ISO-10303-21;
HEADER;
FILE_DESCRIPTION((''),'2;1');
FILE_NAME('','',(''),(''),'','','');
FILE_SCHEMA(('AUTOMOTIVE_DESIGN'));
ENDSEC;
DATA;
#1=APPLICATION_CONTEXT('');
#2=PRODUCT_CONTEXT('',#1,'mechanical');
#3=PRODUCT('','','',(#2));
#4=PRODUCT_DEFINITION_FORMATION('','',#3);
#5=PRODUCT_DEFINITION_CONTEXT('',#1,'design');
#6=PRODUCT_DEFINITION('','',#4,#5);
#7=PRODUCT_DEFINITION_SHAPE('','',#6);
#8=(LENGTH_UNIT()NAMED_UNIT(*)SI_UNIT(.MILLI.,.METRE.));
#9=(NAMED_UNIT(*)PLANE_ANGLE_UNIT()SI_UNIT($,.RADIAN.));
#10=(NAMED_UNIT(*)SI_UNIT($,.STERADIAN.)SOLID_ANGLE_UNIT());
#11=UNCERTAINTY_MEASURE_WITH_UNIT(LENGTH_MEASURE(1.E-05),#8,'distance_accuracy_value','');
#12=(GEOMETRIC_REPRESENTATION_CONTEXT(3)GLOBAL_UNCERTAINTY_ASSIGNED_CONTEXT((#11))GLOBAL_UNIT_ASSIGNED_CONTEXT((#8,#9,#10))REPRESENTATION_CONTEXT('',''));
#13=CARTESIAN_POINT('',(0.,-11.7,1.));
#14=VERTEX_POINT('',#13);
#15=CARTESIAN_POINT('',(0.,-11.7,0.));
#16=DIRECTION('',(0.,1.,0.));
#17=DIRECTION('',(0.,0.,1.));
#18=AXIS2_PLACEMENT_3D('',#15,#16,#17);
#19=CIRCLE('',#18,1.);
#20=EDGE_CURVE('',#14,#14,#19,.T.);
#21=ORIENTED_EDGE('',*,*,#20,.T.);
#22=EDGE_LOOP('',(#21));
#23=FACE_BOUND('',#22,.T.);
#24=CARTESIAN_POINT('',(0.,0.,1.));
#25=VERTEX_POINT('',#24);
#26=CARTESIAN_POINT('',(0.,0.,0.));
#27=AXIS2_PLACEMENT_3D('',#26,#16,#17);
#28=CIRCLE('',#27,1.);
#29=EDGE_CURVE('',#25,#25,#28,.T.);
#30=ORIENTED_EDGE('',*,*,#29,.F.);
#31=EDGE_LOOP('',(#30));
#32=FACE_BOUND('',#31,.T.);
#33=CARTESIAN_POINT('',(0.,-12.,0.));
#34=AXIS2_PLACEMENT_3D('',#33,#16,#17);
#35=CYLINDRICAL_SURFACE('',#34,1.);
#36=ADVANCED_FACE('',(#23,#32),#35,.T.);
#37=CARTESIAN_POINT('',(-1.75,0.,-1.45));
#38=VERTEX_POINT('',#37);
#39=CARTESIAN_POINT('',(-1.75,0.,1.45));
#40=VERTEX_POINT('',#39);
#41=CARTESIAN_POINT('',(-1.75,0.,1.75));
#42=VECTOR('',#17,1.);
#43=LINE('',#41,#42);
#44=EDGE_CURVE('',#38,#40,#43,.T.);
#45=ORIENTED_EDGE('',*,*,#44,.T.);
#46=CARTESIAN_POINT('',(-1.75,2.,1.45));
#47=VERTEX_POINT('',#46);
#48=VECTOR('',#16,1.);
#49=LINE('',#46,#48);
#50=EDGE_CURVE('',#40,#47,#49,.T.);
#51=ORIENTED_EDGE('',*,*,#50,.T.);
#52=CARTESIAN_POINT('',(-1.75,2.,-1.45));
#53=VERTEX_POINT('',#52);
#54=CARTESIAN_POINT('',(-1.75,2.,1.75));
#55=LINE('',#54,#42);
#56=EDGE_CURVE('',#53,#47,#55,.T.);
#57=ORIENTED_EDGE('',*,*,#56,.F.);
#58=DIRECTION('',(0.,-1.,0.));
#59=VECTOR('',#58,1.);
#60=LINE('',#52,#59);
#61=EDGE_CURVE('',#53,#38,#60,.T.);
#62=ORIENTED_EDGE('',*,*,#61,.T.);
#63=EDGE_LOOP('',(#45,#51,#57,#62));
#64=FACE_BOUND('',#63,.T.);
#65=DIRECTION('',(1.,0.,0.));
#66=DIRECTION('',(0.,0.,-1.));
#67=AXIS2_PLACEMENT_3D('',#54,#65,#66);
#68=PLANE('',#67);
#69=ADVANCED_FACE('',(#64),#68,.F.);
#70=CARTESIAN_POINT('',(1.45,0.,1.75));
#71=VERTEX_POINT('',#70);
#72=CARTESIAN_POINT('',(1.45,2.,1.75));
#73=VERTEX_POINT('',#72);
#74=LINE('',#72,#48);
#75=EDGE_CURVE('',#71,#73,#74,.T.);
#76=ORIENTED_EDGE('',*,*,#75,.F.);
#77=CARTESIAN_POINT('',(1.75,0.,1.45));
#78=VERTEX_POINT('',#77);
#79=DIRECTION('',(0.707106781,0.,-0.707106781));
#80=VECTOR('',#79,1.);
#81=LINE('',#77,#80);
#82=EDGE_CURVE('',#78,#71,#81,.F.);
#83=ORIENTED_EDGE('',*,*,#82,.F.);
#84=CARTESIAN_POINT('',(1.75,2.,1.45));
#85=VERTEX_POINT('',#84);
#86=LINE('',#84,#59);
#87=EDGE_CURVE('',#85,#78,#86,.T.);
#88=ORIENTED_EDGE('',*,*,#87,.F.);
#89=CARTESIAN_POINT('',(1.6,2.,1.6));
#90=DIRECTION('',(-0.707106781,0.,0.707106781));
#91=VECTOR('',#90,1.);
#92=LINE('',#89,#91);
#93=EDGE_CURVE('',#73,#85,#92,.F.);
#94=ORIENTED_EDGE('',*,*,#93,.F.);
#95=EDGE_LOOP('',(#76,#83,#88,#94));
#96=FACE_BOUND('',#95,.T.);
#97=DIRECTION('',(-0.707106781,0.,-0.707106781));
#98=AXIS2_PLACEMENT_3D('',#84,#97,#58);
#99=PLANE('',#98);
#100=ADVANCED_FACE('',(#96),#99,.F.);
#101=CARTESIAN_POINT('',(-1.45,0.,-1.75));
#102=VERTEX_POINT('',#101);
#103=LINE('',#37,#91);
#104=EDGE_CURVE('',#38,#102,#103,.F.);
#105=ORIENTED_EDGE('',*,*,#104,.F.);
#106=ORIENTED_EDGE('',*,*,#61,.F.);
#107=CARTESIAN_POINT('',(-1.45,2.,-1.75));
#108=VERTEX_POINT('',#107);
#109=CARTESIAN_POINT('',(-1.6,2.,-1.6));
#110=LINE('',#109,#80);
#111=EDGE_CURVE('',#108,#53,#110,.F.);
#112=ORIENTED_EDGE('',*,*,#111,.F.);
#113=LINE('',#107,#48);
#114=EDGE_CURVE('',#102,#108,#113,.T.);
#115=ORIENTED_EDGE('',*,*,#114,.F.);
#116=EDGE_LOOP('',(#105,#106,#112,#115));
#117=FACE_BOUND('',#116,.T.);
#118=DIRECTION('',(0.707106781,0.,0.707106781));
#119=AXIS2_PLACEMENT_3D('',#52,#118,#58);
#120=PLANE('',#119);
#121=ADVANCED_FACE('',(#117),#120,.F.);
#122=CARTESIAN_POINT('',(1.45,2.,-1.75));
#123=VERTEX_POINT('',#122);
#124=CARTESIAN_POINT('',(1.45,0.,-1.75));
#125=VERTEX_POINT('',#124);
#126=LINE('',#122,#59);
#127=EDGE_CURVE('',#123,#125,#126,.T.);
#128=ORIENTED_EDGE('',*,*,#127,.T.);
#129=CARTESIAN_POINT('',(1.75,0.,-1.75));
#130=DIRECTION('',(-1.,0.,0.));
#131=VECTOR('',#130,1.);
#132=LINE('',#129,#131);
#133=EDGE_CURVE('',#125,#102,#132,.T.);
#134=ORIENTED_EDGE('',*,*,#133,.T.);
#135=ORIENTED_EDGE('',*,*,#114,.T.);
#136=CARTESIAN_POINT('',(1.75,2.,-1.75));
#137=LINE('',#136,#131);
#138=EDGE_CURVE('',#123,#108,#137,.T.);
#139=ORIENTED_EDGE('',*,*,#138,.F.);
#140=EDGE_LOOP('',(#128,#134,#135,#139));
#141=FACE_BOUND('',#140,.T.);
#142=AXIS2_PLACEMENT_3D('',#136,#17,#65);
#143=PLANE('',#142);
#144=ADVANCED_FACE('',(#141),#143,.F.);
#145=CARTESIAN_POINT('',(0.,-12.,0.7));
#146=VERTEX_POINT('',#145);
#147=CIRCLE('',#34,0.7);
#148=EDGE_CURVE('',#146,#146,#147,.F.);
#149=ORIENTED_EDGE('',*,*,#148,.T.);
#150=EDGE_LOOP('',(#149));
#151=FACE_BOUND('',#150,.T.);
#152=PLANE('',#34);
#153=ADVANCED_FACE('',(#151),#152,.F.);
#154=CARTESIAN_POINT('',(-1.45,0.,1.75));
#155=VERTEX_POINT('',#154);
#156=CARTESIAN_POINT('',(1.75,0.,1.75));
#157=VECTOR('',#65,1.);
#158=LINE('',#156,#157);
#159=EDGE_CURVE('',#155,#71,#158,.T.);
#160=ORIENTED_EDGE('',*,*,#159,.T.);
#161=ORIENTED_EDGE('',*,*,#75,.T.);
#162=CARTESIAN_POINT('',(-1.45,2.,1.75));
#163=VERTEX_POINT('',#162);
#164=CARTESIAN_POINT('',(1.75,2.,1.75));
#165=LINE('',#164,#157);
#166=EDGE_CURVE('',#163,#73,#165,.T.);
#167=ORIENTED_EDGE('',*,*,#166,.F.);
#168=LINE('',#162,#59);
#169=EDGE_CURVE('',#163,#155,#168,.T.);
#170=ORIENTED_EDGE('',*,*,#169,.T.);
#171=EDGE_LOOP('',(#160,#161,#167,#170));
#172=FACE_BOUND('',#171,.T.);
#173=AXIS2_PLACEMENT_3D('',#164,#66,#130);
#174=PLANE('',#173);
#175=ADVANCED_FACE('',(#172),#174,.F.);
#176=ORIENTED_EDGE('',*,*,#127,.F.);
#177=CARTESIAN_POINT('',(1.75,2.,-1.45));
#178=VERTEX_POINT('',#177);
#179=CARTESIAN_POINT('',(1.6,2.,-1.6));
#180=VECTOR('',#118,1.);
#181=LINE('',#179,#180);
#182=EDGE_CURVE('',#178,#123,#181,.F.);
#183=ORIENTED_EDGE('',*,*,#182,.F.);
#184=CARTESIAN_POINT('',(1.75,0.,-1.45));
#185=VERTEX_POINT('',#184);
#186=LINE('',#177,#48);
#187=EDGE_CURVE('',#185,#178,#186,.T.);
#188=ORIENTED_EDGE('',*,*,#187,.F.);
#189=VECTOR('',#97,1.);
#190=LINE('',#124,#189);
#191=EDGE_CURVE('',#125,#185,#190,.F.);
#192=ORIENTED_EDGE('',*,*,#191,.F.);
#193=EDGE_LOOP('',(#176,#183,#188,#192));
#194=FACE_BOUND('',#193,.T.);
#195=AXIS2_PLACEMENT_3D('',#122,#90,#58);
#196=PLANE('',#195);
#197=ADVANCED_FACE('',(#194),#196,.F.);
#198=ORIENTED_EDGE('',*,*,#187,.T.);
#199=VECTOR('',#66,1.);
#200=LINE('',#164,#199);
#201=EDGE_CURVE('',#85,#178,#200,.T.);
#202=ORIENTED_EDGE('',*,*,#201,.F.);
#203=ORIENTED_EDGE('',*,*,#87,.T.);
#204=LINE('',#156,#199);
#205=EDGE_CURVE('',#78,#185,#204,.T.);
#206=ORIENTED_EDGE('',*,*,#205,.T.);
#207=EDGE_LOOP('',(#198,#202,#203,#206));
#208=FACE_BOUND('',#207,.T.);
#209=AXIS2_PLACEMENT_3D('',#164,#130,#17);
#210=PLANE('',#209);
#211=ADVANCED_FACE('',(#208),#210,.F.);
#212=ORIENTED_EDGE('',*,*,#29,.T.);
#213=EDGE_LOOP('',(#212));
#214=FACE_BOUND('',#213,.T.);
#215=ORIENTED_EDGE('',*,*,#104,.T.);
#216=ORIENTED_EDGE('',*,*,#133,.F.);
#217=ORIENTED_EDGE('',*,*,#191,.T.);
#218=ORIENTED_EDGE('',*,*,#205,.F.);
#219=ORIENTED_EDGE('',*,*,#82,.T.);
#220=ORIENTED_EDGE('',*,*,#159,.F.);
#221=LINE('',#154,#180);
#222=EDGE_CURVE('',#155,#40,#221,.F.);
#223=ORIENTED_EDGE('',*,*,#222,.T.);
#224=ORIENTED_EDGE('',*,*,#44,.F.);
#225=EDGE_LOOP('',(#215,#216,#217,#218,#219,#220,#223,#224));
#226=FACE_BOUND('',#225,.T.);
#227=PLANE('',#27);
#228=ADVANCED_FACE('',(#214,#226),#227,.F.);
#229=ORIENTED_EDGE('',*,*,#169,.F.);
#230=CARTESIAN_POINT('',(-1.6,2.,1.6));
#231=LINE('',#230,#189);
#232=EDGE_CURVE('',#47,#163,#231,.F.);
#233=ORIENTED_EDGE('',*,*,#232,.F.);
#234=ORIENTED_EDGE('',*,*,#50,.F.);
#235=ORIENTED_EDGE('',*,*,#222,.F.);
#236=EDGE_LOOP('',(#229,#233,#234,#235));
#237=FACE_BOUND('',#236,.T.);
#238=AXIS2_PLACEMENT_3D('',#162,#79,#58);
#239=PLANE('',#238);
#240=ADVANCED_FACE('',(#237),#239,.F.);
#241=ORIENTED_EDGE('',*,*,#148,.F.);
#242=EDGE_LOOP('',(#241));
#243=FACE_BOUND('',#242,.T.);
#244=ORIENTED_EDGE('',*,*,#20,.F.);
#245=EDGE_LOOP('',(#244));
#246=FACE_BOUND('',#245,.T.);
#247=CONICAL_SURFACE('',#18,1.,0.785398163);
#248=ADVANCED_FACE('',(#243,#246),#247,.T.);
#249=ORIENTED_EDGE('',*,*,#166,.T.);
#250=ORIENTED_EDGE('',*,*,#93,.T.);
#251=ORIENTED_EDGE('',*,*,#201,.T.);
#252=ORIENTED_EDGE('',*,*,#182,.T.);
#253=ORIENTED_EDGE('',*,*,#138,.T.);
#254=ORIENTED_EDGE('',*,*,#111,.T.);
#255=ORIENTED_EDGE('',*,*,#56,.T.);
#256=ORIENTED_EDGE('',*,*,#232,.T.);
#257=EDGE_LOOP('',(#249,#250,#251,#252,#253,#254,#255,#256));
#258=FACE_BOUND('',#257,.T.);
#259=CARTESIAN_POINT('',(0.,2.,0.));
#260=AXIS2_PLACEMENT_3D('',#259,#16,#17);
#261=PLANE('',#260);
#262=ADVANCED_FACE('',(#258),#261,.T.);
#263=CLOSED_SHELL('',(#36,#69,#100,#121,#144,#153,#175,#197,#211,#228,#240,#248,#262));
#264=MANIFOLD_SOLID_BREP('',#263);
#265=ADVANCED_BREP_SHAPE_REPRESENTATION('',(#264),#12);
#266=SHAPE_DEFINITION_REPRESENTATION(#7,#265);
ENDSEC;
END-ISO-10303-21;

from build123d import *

# Parameters (mm, degrees)
SKETCH1_W           = 3.5
SKETCH1_H           = 3.5
BOSS_EXTRUDE1_DEPTH = 2
SKETCH2_R           = 1
BOSS_EXTRUDE2_DEPTH = 12
CHAMFER1_SIZE       = 0.3


with BuildPart() as part:
    # Sketch1 → Boss-Extrude1 (new body)
    with BuildSketch(Plane(origin=(0, 0, 0), x_dir=(1, 0, 0), z_dir=(0, 1, 0))):
        Rectangle(SKETCH1_W, SKETCH1_H)
    extrude(amount=BOSS_EXTRUDE1_DEPTH)

    # Sketch2 → Boss-Extrude2 (add)
    with BuildSketch(Plane(origin=(0, 0, 0), x_dir=(1, 0, 0), z_dir=(0, 1, 0))):
        Circle(SKETCH2_R)
    extrude(amount=-BOSS_EXTRUDE2_DEPTH)

    # Chamfer1
    chamfer1_edges = [part.edges().sort_by_distance(p)[0] for p in [
        (-1, -12, 0),
        (-1.75, 1, -1.75),
        (1.75, 1, -1.75),
        (1.75, 1, 1.75),
        (-1.75, 1, 1.75),
    ]]
    chamfer(chamfer1_edges, length=CHAMFER1_SIZE)


solid = part.part
